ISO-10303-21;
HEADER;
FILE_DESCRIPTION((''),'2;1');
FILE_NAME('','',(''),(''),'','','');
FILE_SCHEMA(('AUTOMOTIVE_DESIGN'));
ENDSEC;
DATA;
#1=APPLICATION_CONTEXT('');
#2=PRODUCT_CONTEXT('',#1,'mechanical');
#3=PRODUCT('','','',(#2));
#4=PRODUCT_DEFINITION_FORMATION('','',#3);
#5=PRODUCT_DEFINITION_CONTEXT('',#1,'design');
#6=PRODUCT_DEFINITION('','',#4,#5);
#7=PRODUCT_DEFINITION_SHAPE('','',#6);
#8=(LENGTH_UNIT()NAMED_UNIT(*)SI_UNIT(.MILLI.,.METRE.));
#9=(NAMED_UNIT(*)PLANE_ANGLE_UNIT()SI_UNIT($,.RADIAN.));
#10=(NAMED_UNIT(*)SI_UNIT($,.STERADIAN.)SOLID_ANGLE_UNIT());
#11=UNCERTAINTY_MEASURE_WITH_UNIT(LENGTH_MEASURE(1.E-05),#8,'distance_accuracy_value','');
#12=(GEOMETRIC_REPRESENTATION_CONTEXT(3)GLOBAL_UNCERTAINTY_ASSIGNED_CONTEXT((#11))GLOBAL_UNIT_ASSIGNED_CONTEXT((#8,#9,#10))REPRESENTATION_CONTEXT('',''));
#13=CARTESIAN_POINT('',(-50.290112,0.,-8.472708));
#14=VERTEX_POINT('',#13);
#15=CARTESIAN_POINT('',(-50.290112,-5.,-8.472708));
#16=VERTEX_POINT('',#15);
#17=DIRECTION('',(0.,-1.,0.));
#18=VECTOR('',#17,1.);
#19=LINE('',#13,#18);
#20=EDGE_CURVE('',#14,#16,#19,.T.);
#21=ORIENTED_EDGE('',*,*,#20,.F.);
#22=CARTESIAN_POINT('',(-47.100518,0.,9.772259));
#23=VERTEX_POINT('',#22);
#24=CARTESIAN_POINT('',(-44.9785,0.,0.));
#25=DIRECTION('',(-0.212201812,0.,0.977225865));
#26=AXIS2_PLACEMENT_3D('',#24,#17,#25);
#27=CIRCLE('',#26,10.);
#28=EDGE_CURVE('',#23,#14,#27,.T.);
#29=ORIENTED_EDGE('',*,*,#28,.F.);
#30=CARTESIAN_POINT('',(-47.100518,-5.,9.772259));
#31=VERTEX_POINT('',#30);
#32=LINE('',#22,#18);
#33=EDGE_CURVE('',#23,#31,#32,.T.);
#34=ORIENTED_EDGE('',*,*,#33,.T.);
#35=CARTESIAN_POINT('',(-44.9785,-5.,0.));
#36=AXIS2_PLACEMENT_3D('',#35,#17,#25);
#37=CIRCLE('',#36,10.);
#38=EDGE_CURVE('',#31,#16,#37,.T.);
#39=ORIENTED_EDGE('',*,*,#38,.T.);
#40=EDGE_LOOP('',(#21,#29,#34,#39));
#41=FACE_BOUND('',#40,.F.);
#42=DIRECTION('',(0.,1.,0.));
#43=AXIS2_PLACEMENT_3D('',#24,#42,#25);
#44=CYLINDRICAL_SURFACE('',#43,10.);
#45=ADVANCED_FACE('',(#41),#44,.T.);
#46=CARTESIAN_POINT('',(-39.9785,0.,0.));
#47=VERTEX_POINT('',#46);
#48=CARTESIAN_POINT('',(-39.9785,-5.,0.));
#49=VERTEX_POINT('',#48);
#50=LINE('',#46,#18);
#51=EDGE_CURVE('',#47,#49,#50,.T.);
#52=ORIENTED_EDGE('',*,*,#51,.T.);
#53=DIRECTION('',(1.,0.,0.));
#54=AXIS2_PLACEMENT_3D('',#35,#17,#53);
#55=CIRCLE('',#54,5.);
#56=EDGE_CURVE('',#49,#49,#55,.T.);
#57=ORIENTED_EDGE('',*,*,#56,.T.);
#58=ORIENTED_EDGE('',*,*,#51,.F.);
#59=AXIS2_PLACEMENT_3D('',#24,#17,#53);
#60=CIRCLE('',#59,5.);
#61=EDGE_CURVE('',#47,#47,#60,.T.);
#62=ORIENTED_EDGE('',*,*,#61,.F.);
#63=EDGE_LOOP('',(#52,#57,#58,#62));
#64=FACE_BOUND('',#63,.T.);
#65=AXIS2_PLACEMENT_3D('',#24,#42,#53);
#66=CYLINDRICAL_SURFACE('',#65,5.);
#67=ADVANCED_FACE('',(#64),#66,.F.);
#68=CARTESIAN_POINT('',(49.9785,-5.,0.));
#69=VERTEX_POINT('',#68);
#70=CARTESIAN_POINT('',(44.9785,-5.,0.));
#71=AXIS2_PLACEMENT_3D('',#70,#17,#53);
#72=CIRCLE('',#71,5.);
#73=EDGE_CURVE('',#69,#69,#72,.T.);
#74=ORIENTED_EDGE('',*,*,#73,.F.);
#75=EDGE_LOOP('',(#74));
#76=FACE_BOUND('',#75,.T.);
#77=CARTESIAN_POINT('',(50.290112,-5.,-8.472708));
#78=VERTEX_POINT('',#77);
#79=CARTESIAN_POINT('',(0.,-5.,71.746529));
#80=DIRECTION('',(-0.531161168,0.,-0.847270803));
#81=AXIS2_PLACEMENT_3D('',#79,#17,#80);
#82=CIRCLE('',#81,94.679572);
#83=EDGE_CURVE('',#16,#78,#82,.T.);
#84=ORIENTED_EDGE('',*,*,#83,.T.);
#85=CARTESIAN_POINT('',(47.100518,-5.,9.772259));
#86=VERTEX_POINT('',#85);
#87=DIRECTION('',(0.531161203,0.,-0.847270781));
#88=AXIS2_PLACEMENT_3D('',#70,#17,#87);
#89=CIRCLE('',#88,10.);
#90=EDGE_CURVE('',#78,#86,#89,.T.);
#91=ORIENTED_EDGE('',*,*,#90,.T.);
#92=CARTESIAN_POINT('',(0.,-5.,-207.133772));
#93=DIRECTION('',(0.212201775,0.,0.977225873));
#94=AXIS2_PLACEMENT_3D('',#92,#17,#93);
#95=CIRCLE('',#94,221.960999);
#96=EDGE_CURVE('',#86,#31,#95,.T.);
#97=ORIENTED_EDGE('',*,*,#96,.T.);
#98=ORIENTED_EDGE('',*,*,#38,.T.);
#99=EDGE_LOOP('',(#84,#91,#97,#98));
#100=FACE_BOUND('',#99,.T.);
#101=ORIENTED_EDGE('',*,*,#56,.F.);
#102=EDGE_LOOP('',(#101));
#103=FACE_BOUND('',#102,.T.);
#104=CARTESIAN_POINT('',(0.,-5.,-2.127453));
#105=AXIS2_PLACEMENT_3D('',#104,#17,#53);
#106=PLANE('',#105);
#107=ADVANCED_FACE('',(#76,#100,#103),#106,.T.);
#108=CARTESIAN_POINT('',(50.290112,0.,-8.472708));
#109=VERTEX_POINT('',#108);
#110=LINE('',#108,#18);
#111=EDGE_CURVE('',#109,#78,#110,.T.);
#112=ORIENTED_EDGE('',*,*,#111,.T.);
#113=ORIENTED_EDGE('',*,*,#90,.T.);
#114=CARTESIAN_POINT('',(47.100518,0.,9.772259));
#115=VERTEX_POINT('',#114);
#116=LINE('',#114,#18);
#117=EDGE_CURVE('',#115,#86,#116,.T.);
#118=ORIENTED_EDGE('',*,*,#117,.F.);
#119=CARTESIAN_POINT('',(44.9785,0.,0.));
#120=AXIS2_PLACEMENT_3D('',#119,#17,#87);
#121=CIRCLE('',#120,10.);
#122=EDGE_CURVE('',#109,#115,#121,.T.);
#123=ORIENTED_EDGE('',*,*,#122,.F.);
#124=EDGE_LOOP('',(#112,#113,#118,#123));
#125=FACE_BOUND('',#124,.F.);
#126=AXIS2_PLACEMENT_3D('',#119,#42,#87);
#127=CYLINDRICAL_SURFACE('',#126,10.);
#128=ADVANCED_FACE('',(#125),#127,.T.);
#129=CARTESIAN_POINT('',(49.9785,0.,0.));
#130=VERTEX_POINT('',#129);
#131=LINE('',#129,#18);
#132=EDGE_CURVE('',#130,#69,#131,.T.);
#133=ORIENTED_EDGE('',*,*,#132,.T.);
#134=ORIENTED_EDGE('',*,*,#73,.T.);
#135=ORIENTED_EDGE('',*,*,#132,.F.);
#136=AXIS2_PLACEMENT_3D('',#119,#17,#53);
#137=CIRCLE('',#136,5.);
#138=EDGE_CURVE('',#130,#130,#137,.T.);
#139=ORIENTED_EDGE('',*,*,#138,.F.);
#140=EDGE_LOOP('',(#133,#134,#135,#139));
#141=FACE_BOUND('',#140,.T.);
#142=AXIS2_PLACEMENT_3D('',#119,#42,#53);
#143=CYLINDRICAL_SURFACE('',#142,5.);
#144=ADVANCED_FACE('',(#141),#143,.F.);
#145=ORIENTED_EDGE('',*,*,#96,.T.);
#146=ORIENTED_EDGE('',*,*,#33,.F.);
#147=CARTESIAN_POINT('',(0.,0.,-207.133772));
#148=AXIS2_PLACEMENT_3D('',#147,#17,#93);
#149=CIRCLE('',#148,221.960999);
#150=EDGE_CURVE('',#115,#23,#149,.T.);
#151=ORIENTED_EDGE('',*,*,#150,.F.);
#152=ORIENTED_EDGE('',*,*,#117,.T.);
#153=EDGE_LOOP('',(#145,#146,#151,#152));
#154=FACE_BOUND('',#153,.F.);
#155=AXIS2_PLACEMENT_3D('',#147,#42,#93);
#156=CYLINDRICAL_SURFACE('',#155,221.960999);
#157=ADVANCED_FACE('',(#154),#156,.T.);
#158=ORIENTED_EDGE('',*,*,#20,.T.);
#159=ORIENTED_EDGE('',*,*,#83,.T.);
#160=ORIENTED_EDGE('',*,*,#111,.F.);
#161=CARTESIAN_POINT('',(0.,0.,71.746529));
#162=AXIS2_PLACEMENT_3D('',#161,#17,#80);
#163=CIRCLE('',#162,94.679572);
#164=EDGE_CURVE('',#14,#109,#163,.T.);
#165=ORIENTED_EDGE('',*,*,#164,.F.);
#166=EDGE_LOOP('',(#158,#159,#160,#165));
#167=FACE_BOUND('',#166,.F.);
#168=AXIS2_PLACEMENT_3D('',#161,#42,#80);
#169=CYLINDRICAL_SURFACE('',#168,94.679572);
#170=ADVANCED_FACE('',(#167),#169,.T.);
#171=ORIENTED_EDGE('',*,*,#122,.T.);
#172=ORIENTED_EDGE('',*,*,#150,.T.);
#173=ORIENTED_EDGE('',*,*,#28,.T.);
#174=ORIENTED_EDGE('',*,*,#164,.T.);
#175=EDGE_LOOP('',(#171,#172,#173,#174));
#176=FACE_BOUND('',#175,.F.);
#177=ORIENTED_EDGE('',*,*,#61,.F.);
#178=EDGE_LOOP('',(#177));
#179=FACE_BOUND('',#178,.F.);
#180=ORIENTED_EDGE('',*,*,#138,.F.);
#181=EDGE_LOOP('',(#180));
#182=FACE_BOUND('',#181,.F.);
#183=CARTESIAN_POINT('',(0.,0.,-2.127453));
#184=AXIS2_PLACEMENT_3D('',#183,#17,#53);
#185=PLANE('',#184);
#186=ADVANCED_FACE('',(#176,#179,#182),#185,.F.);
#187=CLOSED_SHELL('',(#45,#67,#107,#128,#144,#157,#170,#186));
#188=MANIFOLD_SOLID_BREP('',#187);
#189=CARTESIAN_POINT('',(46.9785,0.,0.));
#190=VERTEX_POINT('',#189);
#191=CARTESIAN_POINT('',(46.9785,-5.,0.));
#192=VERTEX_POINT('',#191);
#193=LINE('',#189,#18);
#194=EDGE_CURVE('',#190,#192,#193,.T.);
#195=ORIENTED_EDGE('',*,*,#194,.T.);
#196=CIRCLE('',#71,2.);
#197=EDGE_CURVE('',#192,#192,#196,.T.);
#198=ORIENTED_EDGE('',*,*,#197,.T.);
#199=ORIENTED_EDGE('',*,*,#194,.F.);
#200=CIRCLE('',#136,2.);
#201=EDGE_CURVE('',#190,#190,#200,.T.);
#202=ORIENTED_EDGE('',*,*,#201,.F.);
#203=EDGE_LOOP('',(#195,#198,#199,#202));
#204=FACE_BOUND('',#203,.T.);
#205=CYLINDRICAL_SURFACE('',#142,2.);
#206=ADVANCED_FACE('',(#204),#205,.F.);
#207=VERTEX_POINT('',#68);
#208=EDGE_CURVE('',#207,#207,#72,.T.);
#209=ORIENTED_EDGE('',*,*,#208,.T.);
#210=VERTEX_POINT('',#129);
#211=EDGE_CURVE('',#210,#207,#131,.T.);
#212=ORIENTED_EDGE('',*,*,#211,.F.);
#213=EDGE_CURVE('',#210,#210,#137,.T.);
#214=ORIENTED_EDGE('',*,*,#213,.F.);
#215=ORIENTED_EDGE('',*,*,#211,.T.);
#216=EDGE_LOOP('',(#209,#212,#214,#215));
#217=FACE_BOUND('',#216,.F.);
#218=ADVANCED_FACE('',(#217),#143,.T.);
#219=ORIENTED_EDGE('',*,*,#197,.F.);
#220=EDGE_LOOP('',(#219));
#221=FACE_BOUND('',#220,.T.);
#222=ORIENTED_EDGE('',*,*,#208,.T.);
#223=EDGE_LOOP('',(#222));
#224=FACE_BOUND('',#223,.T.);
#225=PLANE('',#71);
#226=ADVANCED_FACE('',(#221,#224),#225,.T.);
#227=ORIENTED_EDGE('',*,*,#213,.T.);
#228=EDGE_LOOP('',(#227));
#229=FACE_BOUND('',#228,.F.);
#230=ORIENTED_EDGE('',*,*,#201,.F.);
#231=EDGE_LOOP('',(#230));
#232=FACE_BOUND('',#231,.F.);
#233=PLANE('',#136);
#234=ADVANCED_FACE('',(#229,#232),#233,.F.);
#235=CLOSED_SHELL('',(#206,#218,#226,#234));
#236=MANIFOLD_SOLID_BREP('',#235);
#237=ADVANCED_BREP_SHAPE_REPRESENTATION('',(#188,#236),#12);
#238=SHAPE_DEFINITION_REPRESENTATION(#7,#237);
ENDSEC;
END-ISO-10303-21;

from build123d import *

# Parameters (mm, degrees)
F0_R     = 5
F0_R_2   = 2
F1_DEPTH = 5
F2_DEPTH = 5


with BuildPart() as f1:
    # F0 (on Front) → F1 (new body)
    with BuildSketch(Plane.XZ):
        with Locations((44.9785, 0)):
            Circle(F0_R)
        with Locations((44.9785, 0)):
            Circle(F0_R_2, mode=Mode.SUBTRACT)
    extrude(amount=F1_DEPTH)


with BuildPart() as f2:
    # F0 (on Front) → F2 (new body)
    with BuildSketch(Plane.XZ):
        with BuildLine():
            ThreePointArc((-47.100518, 9.772259), (-54.829105, 1.722087), (-50.290112, -8.472708))
            ThreePointArc((-50.290112, -8.472708), (0, -22.933043), (50.290112, -8.472708))
            ThreePointArc((50.290112, -8.472708), (54.829105, 1.722087), (47.100518, 9.772259))
            ThreePointArc((47.100518, 9.772259), (0, 14.827227), (-47.100518, 9.772259))
        make_face()
        with Locations((-44.9785, 0)):
            Circle(F0_R, mode=Mode.SUBTRACT)
        with Locations((44.9785, 0)):
            Circle(F0_R, mode=Mode.SUBTRACT)
    extrude(amount=F2_DEPTH)


solid = Compound([f1.part, f2.part])
